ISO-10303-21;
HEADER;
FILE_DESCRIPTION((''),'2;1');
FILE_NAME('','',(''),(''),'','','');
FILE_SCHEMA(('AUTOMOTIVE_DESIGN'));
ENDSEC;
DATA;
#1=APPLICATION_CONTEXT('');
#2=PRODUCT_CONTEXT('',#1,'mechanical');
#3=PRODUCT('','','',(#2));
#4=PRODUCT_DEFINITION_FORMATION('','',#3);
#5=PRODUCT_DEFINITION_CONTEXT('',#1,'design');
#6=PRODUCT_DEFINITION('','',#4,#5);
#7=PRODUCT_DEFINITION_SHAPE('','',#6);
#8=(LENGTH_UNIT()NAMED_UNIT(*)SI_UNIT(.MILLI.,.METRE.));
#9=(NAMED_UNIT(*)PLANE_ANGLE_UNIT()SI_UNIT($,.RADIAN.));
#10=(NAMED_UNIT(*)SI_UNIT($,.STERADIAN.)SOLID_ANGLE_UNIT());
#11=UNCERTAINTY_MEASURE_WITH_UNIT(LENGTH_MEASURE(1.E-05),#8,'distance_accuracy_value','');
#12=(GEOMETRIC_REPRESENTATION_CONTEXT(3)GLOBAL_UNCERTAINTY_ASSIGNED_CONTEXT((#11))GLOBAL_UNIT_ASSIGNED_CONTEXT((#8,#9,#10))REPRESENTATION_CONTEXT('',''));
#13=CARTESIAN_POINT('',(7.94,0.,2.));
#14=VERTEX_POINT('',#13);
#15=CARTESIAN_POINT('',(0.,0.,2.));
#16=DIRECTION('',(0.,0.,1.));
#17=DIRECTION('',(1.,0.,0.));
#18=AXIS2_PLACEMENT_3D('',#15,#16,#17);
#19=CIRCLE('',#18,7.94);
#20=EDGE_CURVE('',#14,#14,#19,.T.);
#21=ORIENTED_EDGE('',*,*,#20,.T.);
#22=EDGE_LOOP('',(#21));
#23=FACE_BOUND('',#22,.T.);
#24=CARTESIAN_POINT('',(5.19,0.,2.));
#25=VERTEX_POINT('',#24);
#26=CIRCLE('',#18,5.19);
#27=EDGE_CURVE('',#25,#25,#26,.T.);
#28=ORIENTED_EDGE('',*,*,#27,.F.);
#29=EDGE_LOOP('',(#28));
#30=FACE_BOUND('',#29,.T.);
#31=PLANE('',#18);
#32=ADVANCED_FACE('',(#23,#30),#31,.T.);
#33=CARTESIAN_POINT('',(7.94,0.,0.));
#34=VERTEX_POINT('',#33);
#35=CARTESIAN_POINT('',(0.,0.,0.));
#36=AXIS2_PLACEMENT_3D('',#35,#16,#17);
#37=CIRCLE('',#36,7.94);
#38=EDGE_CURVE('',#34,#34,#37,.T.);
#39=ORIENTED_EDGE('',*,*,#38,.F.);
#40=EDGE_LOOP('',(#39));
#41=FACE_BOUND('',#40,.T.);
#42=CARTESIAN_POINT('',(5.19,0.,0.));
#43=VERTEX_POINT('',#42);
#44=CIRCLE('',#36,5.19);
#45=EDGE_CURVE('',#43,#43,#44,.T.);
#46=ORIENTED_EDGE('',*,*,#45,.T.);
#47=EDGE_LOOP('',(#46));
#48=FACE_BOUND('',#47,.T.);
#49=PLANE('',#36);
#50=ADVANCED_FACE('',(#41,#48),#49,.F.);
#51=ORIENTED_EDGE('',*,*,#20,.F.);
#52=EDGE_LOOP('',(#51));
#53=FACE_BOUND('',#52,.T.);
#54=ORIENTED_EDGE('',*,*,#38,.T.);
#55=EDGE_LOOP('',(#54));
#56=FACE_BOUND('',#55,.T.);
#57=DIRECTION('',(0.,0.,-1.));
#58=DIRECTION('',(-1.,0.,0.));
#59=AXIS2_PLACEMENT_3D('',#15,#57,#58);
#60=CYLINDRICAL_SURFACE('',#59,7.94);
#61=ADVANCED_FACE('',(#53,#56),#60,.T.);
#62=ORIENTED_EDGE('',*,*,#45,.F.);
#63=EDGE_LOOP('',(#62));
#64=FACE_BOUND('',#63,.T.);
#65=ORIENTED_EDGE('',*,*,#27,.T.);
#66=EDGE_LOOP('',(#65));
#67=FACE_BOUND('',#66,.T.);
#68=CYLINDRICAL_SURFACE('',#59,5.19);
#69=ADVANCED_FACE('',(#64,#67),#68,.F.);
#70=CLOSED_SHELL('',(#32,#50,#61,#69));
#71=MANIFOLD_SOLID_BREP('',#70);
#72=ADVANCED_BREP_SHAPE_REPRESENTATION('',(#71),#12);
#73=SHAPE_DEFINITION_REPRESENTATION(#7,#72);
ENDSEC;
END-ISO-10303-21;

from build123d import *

# Parameters (mm, degrees)
SZKIC1_R                    = 7.94
SZKIC1_R_2                  = 5.19
DODANIE_WYCI_GNI_CIE2_DEPTH = 2


with BuildPart() as part:
    # Szkic1 → Dodanie-wyciągnięcie2 (new body)
    with BuildSketch(Plane.XY):
        Circle(SZKIC1_R)
        Circle(SZKIC1_R_2, mode=Mode.SUBTRACT)
    extrude(amount=DODANIE_WYCI_GNI_CIE2_DEPTH)


solid = part.part
